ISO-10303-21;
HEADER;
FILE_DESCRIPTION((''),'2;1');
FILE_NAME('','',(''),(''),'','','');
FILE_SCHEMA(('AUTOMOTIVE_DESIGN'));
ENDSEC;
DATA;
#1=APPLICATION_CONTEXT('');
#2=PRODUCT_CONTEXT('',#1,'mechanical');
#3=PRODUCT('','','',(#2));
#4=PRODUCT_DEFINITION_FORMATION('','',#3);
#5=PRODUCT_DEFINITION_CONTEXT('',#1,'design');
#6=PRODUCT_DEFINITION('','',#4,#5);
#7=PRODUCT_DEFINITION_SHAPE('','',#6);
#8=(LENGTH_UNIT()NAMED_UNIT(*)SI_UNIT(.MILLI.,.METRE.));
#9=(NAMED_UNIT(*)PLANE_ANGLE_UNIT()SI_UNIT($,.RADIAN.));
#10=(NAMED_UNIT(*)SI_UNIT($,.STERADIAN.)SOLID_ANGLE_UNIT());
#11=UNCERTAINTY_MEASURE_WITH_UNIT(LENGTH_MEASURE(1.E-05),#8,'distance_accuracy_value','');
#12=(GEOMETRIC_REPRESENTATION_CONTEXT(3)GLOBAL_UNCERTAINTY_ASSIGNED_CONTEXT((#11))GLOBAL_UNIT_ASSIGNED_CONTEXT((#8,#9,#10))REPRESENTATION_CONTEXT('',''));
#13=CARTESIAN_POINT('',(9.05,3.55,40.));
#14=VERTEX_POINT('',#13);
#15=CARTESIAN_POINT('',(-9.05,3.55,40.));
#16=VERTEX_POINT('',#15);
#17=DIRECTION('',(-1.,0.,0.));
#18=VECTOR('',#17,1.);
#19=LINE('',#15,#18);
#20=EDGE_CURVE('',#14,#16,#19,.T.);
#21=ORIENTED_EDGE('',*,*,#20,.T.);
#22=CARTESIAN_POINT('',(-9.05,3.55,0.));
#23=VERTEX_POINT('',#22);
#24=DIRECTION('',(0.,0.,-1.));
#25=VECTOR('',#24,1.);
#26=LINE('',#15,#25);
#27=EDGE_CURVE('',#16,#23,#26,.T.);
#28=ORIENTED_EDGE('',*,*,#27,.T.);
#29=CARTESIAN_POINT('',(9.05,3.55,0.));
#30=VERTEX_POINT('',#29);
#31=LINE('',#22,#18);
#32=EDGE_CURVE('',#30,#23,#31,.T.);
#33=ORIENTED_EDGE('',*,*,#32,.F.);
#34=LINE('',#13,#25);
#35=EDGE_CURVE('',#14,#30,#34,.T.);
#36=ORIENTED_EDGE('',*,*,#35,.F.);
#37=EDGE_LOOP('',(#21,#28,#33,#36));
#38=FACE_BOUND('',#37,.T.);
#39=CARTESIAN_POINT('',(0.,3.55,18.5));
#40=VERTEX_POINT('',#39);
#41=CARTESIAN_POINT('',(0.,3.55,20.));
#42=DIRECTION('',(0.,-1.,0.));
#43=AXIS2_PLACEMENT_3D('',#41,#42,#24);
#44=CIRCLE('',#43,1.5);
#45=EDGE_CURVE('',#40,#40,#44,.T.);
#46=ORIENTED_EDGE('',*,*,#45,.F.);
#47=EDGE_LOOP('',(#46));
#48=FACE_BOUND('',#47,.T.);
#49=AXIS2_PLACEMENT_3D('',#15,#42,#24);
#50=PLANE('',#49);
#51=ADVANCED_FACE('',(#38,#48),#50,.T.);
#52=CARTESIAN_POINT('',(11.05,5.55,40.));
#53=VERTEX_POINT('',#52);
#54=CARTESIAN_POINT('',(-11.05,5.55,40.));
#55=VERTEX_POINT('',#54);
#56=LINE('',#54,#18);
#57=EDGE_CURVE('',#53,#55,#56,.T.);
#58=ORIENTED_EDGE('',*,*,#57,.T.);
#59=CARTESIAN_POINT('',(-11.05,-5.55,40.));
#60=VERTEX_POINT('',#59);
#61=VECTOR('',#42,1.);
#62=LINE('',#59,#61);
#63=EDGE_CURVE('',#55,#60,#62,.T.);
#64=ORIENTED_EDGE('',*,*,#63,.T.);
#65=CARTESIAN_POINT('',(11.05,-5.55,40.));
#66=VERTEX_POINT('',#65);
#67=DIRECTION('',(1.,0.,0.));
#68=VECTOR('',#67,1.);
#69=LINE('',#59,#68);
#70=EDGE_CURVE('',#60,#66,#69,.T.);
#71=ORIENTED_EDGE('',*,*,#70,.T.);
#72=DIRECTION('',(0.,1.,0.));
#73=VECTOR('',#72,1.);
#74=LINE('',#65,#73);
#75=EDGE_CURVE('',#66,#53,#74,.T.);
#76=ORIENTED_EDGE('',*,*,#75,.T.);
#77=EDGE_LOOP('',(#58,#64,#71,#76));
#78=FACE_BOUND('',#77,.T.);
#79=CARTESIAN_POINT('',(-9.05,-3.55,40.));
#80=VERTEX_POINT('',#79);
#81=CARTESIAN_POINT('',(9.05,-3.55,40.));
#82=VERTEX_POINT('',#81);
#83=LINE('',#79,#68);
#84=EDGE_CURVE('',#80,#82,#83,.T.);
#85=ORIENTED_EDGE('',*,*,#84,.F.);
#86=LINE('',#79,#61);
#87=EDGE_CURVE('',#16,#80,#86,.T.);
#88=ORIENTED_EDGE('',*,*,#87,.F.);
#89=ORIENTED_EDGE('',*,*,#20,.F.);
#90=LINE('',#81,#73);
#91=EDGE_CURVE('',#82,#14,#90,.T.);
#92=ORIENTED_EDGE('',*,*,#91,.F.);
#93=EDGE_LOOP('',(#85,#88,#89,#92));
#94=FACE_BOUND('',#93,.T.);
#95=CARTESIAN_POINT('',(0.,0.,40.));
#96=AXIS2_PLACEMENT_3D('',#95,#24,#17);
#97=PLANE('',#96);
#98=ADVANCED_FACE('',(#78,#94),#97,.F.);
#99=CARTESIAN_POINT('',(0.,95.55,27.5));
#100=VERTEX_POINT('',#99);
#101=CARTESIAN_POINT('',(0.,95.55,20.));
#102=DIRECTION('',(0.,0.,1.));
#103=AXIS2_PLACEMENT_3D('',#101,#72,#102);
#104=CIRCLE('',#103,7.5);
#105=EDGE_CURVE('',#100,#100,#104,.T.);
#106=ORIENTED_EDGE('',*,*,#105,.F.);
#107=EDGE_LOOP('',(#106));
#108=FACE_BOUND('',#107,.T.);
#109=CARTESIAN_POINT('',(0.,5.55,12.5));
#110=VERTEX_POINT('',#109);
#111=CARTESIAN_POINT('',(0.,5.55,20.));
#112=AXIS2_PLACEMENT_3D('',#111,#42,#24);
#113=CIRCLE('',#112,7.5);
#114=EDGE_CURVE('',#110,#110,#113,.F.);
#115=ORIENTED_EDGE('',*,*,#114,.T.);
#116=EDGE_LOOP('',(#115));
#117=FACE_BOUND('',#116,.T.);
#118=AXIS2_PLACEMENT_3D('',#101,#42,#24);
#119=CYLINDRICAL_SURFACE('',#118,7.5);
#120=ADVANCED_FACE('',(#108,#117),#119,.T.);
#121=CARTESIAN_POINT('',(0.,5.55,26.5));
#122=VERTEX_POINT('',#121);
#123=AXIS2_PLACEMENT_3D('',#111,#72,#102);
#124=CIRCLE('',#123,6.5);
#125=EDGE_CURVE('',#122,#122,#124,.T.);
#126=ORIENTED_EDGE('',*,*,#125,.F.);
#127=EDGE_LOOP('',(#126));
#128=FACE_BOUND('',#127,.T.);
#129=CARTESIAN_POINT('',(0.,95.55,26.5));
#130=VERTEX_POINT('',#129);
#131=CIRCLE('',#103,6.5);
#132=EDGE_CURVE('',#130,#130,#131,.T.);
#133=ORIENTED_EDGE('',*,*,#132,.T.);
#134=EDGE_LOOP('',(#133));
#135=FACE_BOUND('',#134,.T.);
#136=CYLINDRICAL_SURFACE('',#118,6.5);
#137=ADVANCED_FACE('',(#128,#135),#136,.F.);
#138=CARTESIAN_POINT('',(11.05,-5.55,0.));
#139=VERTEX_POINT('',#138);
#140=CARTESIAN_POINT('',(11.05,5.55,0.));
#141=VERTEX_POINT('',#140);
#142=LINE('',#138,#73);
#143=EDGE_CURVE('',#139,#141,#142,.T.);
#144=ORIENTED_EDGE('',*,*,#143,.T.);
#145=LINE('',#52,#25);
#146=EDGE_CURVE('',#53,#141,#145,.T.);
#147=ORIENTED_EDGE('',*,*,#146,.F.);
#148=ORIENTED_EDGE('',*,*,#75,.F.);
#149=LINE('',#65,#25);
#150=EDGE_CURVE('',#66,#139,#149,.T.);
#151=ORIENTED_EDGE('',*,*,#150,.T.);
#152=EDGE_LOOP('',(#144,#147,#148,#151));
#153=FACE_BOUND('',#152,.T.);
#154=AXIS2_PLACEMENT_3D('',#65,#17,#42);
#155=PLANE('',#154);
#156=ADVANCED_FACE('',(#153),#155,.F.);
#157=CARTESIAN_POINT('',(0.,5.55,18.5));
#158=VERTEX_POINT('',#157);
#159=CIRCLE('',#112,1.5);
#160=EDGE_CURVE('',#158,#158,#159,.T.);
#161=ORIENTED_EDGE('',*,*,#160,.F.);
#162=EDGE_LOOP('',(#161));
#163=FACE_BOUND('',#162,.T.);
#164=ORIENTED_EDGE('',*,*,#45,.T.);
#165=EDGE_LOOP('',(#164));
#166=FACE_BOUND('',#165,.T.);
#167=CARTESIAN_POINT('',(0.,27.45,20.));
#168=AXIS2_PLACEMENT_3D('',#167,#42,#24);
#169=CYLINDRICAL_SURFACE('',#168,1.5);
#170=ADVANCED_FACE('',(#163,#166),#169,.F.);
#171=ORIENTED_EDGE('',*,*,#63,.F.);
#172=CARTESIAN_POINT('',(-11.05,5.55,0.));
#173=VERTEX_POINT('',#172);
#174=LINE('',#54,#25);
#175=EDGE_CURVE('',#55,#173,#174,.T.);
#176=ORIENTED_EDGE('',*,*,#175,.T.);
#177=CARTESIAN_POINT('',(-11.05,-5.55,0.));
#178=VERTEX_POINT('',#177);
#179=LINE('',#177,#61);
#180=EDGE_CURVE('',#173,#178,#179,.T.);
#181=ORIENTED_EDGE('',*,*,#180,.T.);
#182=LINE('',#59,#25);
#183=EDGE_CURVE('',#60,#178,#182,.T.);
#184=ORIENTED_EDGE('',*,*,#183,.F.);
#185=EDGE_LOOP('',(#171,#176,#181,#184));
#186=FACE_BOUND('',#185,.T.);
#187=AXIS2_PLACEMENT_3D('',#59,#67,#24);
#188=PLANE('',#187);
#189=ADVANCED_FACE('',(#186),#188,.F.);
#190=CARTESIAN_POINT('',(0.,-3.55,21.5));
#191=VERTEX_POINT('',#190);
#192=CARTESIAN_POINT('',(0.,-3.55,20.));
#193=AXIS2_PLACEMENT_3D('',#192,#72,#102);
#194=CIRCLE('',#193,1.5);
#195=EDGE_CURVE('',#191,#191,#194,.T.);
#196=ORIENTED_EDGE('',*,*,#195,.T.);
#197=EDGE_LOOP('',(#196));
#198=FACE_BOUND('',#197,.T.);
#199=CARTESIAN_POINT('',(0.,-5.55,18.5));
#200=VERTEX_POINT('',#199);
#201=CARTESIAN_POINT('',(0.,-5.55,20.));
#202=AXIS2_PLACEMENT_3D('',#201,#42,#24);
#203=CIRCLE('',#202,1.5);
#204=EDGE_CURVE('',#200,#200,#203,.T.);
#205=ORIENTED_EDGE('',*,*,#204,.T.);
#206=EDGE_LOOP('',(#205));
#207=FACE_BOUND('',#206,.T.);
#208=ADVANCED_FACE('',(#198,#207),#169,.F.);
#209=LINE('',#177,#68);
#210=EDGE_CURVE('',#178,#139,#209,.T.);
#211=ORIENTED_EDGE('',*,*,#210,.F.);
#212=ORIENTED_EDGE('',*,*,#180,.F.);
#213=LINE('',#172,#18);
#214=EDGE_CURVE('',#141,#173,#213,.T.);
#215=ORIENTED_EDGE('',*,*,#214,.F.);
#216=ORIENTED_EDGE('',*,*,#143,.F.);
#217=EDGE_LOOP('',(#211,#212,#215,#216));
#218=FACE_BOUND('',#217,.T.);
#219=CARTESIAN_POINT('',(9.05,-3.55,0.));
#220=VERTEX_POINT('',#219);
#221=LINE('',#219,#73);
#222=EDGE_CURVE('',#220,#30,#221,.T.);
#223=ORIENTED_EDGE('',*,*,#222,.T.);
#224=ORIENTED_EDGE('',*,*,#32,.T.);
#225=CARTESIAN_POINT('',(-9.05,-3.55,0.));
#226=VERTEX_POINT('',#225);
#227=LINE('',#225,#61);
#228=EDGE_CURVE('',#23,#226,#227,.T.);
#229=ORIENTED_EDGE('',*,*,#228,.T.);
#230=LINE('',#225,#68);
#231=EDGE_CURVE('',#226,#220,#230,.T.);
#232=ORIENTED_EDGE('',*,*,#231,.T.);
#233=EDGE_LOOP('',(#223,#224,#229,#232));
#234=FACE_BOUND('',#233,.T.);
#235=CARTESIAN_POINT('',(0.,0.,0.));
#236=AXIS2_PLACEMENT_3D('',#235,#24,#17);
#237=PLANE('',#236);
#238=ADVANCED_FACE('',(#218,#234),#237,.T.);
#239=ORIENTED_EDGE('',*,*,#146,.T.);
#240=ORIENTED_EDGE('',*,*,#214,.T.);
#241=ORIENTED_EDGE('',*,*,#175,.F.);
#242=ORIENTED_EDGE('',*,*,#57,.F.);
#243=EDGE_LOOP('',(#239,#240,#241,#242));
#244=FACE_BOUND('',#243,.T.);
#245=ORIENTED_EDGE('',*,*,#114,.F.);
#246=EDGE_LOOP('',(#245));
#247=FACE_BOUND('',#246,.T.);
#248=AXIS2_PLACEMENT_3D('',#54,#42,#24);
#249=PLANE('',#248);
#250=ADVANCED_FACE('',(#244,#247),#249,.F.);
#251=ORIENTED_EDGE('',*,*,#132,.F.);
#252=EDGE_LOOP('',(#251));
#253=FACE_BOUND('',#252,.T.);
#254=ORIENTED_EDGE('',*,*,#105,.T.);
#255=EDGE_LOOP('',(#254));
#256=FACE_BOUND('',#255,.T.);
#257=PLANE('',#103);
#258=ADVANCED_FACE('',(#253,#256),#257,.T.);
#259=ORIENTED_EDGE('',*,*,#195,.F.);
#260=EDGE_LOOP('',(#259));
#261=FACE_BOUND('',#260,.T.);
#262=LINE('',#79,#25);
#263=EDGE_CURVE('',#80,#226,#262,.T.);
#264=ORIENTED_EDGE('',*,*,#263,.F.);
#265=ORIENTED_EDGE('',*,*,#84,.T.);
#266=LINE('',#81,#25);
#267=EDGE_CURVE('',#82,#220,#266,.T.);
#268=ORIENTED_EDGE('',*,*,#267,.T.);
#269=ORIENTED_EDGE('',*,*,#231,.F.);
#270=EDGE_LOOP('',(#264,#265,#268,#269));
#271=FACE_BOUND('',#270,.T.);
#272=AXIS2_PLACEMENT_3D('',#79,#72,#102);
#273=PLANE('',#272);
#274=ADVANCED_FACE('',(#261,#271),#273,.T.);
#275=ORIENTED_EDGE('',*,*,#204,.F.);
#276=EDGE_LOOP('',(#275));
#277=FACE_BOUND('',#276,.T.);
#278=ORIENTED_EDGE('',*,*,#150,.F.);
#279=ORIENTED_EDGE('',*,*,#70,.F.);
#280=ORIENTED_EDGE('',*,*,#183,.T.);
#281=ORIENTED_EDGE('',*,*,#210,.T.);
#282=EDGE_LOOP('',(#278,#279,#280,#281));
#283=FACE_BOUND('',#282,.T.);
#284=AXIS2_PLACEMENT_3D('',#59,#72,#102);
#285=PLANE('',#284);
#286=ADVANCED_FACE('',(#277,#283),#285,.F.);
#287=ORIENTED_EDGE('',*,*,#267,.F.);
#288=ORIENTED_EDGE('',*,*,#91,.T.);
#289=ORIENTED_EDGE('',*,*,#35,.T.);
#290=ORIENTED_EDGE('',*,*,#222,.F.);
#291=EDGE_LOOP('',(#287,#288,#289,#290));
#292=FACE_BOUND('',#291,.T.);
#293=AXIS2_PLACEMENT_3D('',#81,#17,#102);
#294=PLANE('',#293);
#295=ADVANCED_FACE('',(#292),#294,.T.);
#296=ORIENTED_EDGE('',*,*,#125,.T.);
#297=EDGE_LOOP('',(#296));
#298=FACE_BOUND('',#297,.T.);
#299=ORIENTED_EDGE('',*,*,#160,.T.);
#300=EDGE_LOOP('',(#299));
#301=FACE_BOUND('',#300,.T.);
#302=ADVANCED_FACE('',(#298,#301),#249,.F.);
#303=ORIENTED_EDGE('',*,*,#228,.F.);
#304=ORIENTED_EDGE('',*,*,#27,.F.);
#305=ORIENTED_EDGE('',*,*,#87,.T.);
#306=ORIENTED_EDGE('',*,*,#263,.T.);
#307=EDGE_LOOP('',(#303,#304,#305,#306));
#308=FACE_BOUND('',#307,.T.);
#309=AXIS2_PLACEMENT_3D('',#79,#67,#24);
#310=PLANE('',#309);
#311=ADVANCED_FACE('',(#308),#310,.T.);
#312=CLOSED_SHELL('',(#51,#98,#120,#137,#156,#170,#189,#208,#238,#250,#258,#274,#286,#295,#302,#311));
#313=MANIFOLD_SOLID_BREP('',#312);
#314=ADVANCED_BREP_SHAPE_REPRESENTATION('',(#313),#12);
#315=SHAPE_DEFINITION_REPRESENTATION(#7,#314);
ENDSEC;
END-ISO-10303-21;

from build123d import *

# Parameters (mm, degrees)
SKETCH1_W           = 22.1
SKETCH1_H           = 11.1
SKETCH1_W_2         = 18.1
SKETCH1_H_2         = 7.1
BOSS_EXTRUDE1_DEPTH = 40
SKETCH2_R           = 1.5
CUT_EXTRUDE1_DEPTH  = 33
SKETCH3_R           = 7.5
SKETCH3_R_2         = 6.5
BOSS_EXTRUDE3_DEPTH = 90


with BuildPart() as part:
    # Sketch1 → Boss-Extrude1 (new body)
    with BuildSketch(Plane.XY):
        Rectangle(SKETCH1_W, SKETCH1_H)
        Rectangle(SKETCH1_W_2, SKETCH1_H_2, mode=Mode.SUBTRACT)
    extrude(amount=BOSS_EXTRUDE1_DEPTH)

    # Sketch2 → Cut-Extrude1 (cut)
    with BuildSketch(Plane.XZ.offset(5.55)):
        with Locations((0, 20)):
            Circle(SKETCH2_R)
    extrude(amount=-CUT_EXTRUDE1_DEPTH, mode=Mode.SUBTRACT)

    # Sketch3 → Boss-Extrude3 (add)
    with BuildSketch(Plane(origin=(0, 5.55, 0), x_dir=(1, 0, 0), z_dir=(0, 1, 0))):
        with Locations((0, -20)):
            Circle(SKETCH3_R)
        with Locations((0, -20)):
            Circle(SKETCH3_R_2, mode=Mode.SUBTRACT)
    extrude(amount=BOSS_EXTRUDE3_DEPTH)


solid = part.part
